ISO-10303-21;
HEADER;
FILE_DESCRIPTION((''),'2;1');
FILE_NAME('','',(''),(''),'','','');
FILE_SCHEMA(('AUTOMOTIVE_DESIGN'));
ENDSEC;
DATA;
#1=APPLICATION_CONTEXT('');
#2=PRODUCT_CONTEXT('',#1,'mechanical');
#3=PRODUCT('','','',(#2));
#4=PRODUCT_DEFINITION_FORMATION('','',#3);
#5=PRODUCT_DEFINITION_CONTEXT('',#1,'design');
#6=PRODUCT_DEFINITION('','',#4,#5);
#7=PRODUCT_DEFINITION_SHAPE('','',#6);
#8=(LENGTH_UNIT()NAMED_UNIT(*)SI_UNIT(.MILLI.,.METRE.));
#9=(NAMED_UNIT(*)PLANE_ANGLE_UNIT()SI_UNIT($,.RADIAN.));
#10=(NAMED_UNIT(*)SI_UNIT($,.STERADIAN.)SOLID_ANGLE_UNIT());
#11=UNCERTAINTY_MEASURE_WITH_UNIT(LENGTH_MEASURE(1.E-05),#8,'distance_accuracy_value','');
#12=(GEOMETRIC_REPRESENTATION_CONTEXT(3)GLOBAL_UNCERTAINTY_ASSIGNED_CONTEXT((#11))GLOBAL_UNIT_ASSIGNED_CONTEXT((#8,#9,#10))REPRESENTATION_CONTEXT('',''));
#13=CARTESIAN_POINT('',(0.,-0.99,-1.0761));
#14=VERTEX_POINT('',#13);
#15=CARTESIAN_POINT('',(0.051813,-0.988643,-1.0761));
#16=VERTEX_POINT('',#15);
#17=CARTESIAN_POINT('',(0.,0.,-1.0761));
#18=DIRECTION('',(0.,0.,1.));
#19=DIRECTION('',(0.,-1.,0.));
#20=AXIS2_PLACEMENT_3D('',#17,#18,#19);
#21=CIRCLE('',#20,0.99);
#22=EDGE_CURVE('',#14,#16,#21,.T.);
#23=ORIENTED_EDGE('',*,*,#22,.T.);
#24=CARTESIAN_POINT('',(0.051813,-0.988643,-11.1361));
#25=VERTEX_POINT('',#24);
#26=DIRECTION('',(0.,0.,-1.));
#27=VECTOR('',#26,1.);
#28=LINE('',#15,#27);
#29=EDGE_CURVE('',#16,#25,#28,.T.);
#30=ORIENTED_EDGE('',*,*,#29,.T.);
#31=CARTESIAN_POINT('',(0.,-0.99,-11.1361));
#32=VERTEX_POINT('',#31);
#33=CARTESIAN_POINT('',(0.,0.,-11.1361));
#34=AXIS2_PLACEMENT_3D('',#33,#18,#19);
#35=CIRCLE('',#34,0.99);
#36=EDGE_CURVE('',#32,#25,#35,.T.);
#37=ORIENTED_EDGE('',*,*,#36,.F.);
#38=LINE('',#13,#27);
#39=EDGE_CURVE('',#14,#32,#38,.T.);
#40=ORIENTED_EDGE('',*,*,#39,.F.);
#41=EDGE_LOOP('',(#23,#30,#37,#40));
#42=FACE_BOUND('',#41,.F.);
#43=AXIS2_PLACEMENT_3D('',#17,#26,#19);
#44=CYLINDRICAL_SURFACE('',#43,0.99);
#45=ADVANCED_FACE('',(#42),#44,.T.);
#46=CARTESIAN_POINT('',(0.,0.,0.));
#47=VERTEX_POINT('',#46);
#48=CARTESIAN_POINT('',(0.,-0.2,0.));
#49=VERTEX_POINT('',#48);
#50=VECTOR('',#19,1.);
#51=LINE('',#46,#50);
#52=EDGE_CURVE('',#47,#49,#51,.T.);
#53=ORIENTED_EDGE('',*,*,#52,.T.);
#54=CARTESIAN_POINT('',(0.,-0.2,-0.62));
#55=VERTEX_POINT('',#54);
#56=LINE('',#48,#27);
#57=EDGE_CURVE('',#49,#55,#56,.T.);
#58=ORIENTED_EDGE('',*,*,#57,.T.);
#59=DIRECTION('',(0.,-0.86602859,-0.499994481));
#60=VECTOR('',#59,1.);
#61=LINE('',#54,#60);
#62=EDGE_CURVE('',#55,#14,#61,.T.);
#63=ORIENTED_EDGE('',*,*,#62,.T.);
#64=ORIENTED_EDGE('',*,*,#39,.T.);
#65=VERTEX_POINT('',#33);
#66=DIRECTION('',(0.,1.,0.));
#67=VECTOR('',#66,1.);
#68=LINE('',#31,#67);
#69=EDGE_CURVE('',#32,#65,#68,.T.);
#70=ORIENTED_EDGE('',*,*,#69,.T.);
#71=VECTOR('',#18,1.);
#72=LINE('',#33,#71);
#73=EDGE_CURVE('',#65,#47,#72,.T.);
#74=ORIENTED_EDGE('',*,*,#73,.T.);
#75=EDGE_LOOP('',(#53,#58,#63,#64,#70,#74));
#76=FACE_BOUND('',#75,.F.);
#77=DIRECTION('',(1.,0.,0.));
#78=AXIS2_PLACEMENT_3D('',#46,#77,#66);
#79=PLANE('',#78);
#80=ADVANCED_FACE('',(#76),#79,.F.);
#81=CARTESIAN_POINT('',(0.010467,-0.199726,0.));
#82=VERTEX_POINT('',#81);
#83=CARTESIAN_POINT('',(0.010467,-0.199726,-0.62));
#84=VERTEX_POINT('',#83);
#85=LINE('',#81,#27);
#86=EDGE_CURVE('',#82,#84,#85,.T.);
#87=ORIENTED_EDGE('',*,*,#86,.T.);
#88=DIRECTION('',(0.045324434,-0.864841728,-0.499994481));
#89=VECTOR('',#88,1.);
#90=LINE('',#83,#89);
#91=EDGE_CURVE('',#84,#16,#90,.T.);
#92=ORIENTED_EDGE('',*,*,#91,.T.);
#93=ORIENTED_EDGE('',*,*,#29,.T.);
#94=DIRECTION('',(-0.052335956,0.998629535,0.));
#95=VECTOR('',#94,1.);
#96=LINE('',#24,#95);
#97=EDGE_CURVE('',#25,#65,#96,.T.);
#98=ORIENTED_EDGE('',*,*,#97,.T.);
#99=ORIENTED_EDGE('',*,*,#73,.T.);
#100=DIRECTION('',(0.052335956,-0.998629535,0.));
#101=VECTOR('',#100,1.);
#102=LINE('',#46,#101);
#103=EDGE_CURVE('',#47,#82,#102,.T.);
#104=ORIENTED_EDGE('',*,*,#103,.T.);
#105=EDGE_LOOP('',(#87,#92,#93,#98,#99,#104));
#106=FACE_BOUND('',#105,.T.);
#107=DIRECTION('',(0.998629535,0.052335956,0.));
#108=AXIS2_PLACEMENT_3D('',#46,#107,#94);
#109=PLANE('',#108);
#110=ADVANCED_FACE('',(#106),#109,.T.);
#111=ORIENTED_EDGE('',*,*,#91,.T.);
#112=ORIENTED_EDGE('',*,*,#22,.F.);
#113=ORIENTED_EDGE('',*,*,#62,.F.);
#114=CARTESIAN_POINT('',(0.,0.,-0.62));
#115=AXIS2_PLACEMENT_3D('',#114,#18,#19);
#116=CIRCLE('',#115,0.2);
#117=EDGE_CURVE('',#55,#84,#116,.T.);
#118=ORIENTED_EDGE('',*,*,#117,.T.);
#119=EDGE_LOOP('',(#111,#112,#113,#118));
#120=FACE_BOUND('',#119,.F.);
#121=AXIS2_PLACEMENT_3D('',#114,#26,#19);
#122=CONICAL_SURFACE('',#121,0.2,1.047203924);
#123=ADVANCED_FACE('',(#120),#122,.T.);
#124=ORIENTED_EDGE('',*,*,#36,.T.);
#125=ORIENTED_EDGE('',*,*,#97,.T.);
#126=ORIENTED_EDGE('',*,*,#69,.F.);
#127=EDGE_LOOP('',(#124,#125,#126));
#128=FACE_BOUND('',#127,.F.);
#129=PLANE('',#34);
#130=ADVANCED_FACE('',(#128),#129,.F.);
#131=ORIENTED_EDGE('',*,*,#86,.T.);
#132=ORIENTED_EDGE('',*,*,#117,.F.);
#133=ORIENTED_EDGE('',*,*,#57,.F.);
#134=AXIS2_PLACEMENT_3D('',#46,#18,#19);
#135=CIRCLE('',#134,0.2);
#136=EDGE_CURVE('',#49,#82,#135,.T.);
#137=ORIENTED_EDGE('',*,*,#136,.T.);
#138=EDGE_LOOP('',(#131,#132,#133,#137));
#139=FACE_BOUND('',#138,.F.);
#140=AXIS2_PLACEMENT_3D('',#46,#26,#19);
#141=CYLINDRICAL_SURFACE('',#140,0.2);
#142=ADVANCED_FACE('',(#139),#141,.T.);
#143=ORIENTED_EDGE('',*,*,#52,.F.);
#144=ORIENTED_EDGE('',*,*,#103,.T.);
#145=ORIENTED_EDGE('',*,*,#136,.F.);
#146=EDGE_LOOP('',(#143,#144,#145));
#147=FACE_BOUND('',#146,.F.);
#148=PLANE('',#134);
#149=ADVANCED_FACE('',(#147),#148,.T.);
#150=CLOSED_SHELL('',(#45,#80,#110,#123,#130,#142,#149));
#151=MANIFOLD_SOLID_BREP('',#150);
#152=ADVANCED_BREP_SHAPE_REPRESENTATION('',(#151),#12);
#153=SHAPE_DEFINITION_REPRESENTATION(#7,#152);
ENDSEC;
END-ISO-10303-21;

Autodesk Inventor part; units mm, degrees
ref_plane "YZ Plane" through (0, 0, 0) normal (1, 0, 0) x (0, 1, 0)
ref_plane "XZ Plane" through (0, 0, 0) normal (0, 1, 0) x (-1, 0, 0)
ref_plane "XY Plane" through (0, 0, 0) normal (0, 0, 1) x (1, 0, 0)
sketch "Boceto2" plane through (0, 0, 0) normal (1, 0, 0) x (0, 1, 0)
  line L0 (-0.2, 0) -> (-0.2, -0.62)
  line L1 (-0.2, -0.62) -> (-0.99, -1.0761)
  line L2 (-0.99, -1.0761) -> (-0.99, -11.1361)
  line L3 (-0.99, -11.1361) -> (0, -11.1361)
  line L4 (0, 0) -> (-0.2, 0)
  line L5 (0, -11.1361) -> (0, 0)
  dimension "d10" = 0.2
  dimension "d11" = 0.62
  dimension "d12" = 10.06
  dimension "d13" = 60
  dimension "d14" = 0.99
revolve "Revolución2" add sketch "Boceto2" angle 3 about axis through (0, 0, -11.1361) along (0, 0, 1)
equation "\"d10\" = 0.5 * d18"
equation "\"d11\" = d15"
equation "\"d12\" = d16"
equation "\"d13\" = d17"
equation "\"d14\" = 0.5 * d19"
equation "\"Dc\" = 0.4"
equation "\"Lc\" = 0.62"
equation "\"Ln\" = 10.06"
equation "\"Do\" = 1.98"
equation "\"alfa\" = 60deg"
equation "\"d15\" = 0.62"
equation "\"d16\" = 10.06"
equation "\"d17\" = 60deg"
equation "\"d18\" = 0.4"
equation "\"d19\" = 1.98"
properties part number "WedgeBoquilla0.42"
